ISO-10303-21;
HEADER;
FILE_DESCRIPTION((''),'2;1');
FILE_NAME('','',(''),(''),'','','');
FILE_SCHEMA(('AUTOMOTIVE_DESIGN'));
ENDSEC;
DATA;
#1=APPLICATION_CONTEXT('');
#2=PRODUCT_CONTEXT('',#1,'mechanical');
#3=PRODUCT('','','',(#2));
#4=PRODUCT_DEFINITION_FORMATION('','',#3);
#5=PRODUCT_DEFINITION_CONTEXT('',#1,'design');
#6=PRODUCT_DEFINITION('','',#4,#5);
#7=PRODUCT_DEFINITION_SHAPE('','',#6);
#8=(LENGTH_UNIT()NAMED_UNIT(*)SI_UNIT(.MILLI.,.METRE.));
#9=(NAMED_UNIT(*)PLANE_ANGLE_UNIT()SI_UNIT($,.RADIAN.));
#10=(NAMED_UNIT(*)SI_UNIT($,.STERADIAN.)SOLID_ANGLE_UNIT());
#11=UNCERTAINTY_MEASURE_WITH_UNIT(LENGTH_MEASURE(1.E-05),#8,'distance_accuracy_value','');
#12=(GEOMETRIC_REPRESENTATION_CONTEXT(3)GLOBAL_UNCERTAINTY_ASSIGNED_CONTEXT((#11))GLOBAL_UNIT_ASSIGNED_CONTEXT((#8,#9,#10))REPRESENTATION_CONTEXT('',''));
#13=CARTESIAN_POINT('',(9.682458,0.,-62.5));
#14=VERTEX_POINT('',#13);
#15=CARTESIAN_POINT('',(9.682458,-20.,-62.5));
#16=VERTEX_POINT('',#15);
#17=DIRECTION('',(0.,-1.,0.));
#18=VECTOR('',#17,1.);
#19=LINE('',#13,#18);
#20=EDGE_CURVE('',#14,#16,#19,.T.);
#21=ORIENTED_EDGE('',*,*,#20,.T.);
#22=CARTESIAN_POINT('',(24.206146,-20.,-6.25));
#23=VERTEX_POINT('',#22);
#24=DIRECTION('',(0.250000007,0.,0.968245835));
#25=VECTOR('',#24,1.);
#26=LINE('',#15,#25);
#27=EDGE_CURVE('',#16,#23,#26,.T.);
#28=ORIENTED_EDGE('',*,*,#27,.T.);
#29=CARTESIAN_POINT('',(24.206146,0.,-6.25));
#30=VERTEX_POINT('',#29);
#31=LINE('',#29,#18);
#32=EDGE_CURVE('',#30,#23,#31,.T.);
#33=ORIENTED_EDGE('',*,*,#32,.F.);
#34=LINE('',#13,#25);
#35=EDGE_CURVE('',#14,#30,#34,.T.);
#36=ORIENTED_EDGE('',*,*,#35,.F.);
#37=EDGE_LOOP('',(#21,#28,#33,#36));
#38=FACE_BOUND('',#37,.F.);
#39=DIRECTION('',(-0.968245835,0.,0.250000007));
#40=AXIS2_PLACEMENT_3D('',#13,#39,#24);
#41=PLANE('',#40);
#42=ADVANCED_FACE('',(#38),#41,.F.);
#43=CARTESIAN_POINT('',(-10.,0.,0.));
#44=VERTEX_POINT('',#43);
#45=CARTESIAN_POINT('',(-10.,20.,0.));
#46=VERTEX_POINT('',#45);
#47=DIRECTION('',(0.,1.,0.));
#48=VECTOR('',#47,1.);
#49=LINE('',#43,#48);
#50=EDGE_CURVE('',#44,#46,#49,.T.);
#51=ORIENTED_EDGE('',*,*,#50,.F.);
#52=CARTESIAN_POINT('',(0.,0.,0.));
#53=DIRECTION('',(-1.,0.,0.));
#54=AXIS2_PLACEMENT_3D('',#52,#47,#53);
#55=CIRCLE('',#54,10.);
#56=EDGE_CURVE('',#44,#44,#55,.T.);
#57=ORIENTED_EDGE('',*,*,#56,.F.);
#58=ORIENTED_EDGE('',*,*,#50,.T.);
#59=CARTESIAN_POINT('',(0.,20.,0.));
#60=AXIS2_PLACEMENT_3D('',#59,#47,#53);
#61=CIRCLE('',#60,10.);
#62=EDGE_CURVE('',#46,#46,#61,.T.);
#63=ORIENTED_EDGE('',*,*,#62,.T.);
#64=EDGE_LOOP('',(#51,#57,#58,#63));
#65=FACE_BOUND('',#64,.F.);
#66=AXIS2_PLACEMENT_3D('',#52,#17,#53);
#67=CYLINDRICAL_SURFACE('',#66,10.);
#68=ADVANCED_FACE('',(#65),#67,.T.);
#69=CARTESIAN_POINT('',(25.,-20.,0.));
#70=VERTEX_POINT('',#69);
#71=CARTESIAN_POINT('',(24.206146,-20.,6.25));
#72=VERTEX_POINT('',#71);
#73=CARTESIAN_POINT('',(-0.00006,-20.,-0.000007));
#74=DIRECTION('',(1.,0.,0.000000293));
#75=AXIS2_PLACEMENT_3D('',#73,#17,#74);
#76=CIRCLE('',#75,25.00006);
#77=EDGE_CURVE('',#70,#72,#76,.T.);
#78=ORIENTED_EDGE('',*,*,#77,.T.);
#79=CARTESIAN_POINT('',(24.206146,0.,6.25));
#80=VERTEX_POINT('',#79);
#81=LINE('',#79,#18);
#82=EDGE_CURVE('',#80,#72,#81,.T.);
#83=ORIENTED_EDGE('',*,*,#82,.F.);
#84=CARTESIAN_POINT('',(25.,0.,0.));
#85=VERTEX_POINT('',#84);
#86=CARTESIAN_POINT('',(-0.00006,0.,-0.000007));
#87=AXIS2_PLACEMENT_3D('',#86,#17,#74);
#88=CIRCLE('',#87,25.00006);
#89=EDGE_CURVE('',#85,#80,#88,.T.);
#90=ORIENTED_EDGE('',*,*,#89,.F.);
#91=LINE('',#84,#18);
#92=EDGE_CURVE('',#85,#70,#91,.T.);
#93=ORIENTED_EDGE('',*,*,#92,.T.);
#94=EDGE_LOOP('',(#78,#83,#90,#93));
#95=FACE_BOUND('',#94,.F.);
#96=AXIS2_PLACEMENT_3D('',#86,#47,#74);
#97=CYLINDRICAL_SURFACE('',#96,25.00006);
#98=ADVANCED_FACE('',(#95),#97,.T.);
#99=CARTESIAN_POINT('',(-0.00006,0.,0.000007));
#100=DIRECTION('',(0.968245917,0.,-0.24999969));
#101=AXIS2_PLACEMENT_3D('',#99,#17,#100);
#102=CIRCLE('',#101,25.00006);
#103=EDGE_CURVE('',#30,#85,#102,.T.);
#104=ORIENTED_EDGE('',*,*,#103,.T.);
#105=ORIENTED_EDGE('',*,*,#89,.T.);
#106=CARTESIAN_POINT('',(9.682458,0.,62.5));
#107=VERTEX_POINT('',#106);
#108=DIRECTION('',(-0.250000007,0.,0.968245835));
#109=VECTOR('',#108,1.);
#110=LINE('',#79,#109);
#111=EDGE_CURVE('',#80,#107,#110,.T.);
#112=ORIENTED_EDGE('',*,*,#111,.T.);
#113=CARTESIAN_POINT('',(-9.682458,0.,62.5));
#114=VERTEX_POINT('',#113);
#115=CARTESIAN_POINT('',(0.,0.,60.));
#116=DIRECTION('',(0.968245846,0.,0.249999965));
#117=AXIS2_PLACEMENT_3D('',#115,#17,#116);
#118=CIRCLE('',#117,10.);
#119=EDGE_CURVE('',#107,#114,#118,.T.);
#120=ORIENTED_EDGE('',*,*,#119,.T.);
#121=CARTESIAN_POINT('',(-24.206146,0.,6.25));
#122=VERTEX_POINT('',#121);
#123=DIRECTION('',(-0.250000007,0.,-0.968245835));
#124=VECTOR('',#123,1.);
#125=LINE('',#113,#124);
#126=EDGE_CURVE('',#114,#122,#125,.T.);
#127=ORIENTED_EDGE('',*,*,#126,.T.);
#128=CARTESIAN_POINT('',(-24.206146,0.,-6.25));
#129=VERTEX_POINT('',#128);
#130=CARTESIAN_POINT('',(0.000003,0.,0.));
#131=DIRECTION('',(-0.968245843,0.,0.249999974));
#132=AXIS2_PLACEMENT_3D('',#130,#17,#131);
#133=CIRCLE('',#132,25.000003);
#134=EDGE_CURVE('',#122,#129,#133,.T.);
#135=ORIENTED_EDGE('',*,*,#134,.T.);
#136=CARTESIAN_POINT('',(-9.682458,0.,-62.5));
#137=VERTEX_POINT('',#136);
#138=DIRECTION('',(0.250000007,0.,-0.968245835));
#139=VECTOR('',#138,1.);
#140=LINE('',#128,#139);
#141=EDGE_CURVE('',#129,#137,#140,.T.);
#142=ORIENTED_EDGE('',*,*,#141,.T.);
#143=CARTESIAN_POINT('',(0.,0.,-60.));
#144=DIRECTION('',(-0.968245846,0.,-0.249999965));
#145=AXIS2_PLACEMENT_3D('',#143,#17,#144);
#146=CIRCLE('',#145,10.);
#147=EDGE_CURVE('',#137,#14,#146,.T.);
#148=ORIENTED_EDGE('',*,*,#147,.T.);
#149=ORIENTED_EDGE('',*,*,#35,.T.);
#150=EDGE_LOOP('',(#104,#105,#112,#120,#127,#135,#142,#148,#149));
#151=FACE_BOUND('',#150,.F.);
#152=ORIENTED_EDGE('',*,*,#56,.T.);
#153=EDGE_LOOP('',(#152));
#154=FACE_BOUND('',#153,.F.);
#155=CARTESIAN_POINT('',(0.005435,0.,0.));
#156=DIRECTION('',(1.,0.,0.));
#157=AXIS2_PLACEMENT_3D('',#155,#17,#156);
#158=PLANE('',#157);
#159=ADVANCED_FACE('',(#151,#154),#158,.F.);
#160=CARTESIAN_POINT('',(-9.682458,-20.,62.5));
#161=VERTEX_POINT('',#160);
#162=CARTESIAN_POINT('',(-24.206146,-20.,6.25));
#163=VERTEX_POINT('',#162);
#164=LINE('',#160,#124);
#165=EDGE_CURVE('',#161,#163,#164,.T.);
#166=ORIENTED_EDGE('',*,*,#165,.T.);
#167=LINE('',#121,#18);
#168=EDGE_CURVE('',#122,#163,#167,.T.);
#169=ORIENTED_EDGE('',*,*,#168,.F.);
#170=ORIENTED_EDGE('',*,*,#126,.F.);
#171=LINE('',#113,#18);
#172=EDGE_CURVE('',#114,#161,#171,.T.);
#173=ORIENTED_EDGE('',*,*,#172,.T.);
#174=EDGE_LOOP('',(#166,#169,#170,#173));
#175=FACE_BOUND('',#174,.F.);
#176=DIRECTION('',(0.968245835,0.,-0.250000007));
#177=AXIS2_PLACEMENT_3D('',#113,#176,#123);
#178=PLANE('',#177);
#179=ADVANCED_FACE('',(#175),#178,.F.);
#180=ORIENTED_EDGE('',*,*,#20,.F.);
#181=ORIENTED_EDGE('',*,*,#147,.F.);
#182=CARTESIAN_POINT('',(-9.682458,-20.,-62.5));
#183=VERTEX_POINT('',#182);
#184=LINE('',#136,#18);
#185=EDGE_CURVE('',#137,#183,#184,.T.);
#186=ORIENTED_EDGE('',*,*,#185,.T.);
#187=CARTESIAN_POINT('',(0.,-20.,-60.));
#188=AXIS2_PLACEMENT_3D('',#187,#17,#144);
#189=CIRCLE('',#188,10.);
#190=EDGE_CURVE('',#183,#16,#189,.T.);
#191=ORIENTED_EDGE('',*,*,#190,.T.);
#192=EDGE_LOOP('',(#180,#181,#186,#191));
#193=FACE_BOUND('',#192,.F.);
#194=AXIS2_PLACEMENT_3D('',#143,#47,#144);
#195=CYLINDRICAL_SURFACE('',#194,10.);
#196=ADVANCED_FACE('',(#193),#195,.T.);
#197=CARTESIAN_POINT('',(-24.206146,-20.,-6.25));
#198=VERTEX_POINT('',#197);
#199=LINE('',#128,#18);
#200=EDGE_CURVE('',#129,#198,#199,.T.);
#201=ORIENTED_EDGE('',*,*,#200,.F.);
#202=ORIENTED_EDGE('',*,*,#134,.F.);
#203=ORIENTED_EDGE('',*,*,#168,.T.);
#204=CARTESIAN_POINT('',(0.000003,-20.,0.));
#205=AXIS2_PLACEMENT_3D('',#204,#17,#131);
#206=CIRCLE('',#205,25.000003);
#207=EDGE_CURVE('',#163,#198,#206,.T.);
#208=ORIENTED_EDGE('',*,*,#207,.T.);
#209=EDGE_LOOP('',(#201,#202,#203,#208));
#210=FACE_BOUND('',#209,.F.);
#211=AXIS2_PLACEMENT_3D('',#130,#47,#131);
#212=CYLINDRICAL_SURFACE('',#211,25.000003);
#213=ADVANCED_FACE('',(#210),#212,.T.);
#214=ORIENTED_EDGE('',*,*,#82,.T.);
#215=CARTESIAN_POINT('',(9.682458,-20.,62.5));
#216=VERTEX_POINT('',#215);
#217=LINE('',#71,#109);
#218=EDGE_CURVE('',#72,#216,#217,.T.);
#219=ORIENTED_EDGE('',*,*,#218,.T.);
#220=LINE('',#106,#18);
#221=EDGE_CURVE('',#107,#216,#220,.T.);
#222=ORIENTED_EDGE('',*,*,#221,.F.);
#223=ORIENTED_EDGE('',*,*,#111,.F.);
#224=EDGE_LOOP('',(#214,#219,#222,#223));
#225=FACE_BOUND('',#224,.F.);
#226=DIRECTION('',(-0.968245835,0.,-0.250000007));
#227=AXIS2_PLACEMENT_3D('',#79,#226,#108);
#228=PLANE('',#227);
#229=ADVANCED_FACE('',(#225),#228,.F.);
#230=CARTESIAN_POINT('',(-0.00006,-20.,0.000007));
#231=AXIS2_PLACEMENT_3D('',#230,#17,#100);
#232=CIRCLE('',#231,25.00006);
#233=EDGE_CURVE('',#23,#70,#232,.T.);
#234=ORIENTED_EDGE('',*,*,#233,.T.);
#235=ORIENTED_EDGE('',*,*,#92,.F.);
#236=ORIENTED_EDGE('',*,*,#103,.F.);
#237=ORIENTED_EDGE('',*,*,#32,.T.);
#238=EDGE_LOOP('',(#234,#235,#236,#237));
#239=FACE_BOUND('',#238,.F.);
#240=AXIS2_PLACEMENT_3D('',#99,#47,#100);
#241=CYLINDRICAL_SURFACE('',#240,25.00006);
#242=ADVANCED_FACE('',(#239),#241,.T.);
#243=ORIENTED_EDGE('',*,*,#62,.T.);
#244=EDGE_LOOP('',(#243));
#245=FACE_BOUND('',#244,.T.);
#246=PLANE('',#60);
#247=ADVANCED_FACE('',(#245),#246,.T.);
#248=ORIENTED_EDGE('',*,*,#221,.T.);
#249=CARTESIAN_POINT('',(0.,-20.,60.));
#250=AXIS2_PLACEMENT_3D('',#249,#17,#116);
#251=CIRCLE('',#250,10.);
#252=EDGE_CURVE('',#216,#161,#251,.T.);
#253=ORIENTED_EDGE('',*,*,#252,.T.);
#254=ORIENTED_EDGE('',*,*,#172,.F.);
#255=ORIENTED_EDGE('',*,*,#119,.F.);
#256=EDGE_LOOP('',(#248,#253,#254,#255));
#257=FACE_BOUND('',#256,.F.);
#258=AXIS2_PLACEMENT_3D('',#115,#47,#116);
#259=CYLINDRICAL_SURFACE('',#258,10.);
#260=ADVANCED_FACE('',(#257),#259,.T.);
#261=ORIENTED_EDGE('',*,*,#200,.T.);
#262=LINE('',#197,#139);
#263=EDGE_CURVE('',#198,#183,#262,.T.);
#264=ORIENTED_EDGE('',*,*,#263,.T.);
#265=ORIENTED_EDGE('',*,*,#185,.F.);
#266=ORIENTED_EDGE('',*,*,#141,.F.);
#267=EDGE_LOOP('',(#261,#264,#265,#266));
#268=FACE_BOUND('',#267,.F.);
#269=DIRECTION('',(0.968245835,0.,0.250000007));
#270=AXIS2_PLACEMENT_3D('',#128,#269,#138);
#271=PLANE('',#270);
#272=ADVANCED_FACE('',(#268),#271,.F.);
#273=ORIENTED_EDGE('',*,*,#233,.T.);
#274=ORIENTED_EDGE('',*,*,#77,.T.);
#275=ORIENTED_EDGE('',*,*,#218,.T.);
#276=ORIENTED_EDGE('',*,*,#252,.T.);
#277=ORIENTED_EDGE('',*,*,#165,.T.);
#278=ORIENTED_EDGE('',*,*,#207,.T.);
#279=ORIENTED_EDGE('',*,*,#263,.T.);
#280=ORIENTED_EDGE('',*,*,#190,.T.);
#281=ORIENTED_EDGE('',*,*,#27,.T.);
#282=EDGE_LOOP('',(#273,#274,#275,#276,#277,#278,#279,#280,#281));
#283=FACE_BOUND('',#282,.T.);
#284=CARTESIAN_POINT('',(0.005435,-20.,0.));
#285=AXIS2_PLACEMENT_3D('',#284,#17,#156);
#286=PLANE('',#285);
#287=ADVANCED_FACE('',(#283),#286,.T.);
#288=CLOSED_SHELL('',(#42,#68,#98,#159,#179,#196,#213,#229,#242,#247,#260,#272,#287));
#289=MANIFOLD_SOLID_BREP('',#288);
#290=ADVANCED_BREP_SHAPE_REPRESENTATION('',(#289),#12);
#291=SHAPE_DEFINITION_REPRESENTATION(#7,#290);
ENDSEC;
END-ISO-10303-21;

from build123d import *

# Parameters (mm, degrees)
F1_DEPTH = 20
F2_R     = 10
F3_DEPTH = 20


with BuildPart() as f1:
    # F0 (on Front) → F1 (new body)
    with BuildSketch(Plane.XZ):
        with BuildLine():
            ThreePointArc((24.206146, -6.25), (24.800742, -3.150107), (25, 0))
            ThreePointArc((25, 0), (24.800742, 3.150107), (24.206146, 6.25))
            ThreePointArc((24.206146, 6.25), (0, 25), (-24.206146, 6.25))
            ThreePointArc((-24.206146, 6.25), (-25, 0), (-24.206146, -6.25))
            ThreePointArc((-24.206146, -6.25), (0, -25), (24.206146, -6.25))
        make_face()
        with BuildLine():
            ThreePointArc((-24.206146, 6.25), (0, 25), (24.206146, 6.25))
            Line((24.206146, 6.25), (9.682458, 62.5))
            ThreePointArc((9.682458, 62.5), (9.920297, 61.260043), (10, 60))
            ThreePointArc((10, 60), (-1.260043, 50.079703), (-9.682458, 62.5))
            Line((-9.682458, 62.5), (-24.206146, 6.25))
        make_face()
        with BuildLine():
            Line((9.682458, -62.5), (24.206146, -6.25))
            ThreePointArc((24.206146, -6.25), (0, -25), (-24.206146, -6.25))
            Line((-24.206146, -6.25), (-9.682458, -62.5))
            ThreePointArc((-9.682458, -62.5), (-1.260043, -50.079703), (10, -60))
            ThreePointArc((10, -60), (9.920297, -61.260043), (9.682458, -62.5))
        make_face()
        with BuildLine():
            ThreePointArc((10, 60), (9.920297, 61.260043), (9.682458, 62.5))
            ThreePointArc((9.682458, 62.5), (0, 70), (-9.682458, 62.5))
            ThreePointArc((-9.682458, 62.5), (-1.260043, 50.079703), (10, 60))
        make_face()
        with BuildLine():
            ThreePointArc((-9.682458, -62.5), (0, -70), (9.682458, -62.5))
            ThreePointArc((9.682458, -62.5), (9.920297, -61.260043), (10, -60))
            ThreePointArc((10, -60), (-1.260043, -50.079703), (-9.682458, -62.5))
        make_face()
    extrude(amount=F1_DEPTH)

    # F2 (on face) → F3 (join)
    with BuildSketch(Plane(origin=(0, 0, 0), x_dir=(-1, 0, 0), z_dir=(0, 1, 0))):
        Circle(F2_R)
    extrude(amount=F3_DEPTH)


solid = f1.part
